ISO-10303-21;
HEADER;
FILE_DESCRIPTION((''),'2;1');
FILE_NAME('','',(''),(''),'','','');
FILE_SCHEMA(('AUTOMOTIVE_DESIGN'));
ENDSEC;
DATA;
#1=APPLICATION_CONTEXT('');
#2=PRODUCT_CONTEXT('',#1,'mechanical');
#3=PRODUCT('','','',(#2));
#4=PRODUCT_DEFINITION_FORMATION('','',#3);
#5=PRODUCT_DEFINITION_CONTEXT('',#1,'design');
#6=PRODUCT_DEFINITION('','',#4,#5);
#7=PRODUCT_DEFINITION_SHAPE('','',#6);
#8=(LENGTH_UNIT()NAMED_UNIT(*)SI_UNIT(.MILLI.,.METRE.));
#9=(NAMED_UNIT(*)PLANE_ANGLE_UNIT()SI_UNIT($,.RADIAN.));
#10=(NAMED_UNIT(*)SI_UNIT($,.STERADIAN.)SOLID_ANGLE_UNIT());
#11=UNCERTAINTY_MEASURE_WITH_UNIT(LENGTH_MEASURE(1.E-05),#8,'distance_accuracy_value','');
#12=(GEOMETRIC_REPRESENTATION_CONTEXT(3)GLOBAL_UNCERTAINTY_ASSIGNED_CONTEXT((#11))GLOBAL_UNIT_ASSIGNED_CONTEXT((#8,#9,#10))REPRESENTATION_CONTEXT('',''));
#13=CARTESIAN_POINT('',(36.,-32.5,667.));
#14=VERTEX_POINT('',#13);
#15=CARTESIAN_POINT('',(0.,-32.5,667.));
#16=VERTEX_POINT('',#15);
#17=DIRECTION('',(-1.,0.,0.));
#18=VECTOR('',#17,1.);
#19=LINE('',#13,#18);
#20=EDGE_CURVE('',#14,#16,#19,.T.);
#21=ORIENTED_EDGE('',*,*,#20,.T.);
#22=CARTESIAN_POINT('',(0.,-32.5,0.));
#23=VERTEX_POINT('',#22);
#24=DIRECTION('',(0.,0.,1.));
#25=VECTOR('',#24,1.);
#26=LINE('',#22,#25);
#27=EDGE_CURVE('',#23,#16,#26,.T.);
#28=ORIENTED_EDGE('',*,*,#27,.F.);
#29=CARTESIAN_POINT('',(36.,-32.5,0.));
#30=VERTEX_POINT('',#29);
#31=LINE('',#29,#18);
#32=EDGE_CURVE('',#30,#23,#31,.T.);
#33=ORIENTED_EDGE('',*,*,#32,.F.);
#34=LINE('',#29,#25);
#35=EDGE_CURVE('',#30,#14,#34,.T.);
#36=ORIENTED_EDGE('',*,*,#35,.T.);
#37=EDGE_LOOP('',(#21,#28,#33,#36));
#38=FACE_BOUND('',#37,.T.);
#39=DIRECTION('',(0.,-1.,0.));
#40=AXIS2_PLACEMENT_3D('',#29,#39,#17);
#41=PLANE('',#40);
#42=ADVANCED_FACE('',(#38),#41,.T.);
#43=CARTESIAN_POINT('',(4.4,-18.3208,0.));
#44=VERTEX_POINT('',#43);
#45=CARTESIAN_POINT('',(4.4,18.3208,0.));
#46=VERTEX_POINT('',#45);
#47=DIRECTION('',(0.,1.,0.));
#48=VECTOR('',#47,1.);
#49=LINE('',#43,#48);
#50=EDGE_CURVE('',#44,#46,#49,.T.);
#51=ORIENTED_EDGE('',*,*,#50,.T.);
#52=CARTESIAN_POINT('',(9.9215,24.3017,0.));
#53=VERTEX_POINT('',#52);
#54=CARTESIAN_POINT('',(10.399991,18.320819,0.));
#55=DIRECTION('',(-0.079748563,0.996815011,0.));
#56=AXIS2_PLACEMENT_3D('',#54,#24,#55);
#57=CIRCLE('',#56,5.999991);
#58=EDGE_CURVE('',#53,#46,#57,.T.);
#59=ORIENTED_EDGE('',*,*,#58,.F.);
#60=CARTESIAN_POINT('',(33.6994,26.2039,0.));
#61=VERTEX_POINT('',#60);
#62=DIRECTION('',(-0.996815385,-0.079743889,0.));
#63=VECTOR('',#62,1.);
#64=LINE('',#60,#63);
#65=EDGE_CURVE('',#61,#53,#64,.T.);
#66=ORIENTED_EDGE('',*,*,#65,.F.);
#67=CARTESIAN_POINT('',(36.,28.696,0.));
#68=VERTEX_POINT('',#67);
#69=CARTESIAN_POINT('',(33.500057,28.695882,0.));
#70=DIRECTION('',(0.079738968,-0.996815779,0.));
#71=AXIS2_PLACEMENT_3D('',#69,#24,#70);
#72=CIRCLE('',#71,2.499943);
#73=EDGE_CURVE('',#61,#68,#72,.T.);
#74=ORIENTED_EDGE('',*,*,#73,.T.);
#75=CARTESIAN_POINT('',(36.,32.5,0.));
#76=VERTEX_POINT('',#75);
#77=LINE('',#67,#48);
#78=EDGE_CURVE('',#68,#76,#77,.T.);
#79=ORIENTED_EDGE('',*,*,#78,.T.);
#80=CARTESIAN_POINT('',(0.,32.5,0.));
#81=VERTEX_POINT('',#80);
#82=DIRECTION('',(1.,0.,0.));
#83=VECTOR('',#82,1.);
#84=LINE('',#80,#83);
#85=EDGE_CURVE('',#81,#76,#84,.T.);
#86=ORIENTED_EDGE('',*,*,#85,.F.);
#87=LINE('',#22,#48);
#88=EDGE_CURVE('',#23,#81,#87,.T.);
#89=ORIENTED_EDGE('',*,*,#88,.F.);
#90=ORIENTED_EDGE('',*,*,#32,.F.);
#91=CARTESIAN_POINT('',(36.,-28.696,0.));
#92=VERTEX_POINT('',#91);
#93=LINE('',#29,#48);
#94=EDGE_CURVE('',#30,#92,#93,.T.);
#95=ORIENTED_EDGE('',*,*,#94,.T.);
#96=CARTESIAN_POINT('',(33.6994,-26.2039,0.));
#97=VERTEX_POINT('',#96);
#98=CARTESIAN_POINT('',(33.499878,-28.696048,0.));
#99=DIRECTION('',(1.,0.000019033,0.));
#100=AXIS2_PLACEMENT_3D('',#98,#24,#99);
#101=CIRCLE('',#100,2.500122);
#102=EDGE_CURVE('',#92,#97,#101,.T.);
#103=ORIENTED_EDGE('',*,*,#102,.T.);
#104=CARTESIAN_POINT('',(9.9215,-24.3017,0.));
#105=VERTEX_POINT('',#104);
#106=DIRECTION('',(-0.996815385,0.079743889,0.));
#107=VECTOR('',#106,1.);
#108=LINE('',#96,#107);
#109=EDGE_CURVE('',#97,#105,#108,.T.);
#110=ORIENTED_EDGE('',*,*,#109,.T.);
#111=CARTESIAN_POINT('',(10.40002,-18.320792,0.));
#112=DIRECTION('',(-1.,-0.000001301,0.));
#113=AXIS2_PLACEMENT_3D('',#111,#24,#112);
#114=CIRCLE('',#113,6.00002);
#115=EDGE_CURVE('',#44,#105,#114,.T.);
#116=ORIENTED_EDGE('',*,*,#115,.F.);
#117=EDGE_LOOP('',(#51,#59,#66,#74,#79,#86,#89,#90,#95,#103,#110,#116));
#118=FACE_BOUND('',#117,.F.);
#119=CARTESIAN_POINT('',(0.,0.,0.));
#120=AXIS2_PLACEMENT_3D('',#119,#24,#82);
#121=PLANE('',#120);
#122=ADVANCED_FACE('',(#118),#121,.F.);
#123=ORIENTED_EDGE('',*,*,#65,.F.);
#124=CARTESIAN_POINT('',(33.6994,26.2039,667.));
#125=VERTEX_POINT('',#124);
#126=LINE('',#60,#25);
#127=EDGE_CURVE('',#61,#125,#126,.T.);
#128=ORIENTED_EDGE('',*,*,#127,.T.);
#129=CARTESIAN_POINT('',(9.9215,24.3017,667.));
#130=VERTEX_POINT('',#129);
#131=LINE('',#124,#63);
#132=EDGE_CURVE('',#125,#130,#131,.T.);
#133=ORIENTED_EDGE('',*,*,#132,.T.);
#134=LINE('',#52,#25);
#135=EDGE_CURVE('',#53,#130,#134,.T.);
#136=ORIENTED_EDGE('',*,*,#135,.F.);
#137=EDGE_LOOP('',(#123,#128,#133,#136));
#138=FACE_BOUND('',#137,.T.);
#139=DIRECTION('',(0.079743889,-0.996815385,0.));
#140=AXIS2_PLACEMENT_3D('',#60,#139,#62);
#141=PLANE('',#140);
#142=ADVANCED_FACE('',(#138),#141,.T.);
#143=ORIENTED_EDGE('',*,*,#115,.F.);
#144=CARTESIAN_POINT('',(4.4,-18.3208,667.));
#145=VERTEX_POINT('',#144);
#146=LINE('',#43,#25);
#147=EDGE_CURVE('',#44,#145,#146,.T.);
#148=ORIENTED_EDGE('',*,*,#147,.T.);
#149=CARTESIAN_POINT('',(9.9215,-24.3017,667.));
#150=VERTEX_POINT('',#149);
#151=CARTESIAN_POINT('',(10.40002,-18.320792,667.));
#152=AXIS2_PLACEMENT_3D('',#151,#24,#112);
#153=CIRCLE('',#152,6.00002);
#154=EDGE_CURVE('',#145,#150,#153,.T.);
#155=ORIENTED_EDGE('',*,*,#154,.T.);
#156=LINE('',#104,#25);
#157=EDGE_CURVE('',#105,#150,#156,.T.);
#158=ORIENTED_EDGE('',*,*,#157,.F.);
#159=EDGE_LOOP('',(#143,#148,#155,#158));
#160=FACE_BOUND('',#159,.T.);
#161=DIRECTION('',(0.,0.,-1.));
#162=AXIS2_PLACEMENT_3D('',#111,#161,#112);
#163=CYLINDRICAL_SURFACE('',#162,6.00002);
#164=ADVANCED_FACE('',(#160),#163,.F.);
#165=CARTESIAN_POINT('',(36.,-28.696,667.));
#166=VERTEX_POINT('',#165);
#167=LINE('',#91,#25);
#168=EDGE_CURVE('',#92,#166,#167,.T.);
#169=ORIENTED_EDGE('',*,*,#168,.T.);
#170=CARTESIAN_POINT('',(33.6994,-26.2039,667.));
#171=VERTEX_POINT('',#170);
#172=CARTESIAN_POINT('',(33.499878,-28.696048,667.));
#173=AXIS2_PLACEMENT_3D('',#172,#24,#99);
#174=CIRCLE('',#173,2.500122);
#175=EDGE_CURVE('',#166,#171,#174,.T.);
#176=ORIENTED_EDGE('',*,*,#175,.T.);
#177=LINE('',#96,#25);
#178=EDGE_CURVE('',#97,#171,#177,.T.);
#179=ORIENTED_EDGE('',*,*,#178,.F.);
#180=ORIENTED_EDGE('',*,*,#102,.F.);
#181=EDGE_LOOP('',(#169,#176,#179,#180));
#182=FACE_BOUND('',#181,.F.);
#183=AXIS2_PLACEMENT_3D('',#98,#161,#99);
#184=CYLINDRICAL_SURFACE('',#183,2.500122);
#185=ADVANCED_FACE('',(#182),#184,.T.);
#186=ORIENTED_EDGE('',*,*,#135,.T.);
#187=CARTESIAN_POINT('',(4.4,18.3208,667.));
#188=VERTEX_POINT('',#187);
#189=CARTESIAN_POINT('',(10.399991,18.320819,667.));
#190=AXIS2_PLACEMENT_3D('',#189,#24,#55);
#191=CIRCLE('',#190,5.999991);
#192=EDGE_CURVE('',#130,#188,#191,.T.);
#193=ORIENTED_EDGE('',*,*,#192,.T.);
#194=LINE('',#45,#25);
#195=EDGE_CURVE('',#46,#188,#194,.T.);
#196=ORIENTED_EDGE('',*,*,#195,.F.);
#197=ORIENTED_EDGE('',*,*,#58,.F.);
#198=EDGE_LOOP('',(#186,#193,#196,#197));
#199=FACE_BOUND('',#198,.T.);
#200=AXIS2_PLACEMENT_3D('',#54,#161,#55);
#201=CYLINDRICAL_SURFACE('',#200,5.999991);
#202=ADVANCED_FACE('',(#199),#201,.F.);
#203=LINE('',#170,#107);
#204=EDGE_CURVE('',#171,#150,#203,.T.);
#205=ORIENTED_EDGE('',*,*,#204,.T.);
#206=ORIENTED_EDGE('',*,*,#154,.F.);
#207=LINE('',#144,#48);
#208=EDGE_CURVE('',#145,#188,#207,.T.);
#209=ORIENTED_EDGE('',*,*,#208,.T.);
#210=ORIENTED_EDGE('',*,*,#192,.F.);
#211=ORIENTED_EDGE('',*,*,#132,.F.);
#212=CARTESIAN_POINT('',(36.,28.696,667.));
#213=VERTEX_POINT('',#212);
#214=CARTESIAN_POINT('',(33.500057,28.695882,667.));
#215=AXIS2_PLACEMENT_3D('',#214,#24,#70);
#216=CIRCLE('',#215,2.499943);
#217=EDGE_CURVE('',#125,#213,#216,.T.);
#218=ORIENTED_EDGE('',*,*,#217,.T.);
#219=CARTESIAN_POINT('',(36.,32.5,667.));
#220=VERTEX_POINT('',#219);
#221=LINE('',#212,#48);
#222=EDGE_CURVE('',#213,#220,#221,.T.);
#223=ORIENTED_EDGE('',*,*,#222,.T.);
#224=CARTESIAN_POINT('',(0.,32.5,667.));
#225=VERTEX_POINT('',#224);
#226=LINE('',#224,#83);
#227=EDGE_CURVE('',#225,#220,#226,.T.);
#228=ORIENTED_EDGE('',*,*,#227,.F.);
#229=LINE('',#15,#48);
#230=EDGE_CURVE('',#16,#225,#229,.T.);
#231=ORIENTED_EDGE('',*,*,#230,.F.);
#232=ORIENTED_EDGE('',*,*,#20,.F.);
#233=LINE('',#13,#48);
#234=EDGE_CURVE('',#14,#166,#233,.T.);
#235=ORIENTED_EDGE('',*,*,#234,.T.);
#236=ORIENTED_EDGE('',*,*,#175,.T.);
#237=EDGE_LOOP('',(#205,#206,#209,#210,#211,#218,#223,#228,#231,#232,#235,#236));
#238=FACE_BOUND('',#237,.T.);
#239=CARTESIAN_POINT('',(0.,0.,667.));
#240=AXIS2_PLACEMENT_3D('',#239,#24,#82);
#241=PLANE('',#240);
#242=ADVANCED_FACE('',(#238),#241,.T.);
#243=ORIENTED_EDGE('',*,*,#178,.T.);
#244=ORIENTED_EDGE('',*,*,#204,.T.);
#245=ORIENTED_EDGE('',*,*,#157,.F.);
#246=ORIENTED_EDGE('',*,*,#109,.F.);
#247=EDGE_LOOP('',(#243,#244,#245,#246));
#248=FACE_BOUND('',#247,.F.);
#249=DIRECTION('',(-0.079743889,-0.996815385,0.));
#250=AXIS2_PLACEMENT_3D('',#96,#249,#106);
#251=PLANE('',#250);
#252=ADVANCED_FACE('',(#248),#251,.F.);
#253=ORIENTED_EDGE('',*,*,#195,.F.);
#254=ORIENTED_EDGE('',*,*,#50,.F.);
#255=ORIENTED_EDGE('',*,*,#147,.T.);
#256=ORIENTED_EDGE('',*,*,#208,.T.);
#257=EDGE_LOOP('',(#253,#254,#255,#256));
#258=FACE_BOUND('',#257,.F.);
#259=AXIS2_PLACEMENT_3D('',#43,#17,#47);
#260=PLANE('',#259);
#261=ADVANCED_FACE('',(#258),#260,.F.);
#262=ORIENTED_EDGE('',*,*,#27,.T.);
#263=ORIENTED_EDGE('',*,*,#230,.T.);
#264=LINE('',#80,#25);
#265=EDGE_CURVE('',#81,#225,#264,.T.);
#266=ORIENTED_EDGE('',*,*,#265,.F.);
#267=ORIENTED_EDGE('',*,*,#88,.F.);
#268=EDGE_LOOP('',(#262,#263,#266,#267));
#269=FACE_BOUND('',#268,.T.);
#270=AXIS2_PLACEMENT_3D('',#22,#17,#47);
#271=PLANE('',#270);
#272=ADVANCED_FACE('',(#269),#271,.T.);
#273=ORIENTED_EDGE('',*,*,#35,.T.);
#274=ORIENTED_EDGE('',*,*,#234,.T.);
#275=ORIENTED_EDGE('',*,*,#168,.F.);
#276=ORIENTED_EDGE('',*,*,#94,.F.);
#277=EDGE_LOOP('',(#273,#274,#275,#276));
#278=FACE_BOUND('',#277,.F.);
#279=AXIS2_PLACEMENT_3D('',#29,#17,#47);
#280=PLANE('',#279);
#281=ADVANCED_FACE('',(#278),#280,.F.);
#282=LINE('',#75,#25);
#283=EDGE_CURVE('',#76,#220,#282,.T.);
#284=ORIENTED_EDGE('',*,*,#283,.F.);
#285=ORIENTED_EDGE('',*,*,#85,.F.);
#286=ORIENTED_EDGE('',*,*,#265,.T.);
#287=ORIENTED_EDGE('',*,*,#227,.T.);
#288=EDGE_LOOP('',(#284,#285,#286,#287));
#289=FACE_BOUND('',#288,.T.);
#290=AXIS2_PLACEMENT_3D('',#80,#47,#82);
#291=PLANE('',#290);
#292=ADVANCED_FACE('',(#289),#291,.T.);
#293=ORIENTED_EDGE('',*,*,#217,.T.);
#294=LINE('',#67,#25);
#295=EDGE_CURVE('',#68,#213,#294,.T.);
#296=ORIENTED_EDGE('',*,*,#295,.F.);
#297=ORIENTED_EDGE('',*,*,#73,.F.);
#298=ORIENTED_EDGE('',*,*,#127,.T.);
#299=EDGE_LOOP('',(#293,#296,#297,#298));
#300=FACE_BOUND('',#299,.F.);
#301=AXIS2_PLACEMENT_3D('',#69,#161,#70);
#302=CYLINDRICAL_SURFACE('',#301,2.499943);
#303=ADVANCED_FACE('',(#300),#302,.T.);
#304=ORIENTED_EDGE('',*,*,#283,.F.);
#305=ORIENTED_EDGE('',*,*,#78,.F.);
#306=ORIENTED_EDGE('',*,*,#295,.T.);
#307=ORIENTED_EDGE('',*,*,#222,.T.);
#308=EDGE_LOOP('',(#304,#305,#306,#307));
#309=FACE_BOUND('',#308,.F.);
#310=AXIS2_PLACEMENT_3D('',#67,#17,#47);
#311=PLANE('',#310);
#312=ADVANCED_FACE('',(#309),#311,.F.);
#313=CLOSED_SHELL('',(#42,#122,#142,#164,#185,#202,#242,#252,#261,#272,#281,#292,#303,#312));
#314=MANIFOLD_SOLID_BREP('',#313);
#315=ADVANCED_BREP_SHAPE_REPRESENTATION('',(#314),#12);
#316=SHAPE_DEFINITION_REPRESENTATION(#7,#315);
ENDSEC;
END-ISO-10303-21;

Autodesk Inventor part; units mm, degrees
ref_plane "YZ Plane" through (0, 0, 0) normal (1, 0, 0) x (0, 1, 0)
ref_plane "Начальная плоскость" through (0, 0, 0) normal (0, 0, 1) x (1, 0, 0)
ref_plane "Конечная плоскость" through (0, 0, 667) normal (0, 0, 1) x (1, 0, 0)
sketch "Эскиз" plane through (0, 0, 0) normal (0, 0, 1) x (1, 0, 0)
  line L0 (36, -32.5) -> (0, -32.5)
  line L1 (36, -32.5) -> (36, -28.696)
  line L2 (33.6994, -26.2039) -> (9.9215, -24.3017)
  line L3 (4.4, -18.3208) -> (4.4, 18.3208)
  line L4 (33.6994, 26.2039) -> (9.9215, 24.3017)
  line L5 (36, 28.696) -> (36, 32.5)
  line L6 (0, 32.5) -> (36, 32.5)
  line L7 (0, -32.5) -> (0, 32.5)
  arc A0 (4.4, -18.3208) -> (9.9215, -24.3017) centre (10.4, -18.3208) ccw
  arc A1 (9.9215, 24.3017) -> (4.4, 18.3208) centre (10.4, 18.3208) ccw
  arc A2 (36, -28.696) -> (33.6994, -26.2039) centre (33.5, -28.696) ccw
  arc A3 (33.6994, 26.2039) -> (36, 28.696) centre (33.5, 28.696) ccw
  line L8 (0, 45.5) -> (0, -45.5) construction
  line L9 (-7.2974, 0) -> (43.7847, 0) construction
  point P0 (36, -26.388)
  point P1 (4.4, -23.86)
  point P2 (4.4, 23.86)
  point P3 (36, 26.388)
  dimension "d3" = 36
  dimension "d5" = 4.4
  dimension "d7" = 65
  dimension "d9" = 8.64
  dimension "d11" = 8.64
  dimension "d13" = 6.112
  dimension "d15" = 6.112
  dimension "d22" = 6
  dimension "d23" = 2.5
  dimension "d24" = 32.5
  dimension "d25" = 0
extrude "Тело" add sketch "Эскиз" along normal up to surface (667 mm away) from surface at 0
sketch "Sketch3" plane through (0, 0, 0) normal (0, 0, 1) x (1, 0, 0)
  line L0 (0, 0) -> (10, 0)
ref_plane "Work Plane7" through (0, 0, 0) normal (0, -1, 0) x (1, 0, 0)
sketch "Sketch4" plane through (0, 0, 0) normal (0, -1, 0) x (1, 0, 0)
  line L0 (-2, 0) -> (12, 0)
  line L1 (-2, 667) -> (12, 667)
  dimension "d29" = 667
equation "\"d3\" = b"
equation "\"d5\" = t1"
equation "\"d7\" = ParH"
equation "\"d9\" = msp_x1 + t2"
equation "\"d11\" = msp_x1 + t2"
equation "\"d13\" = -msp_x2 + t2"
equation "\"d15\" = -msp_x2 + t2"
equation "\"d22\" = R"
equation "\"d23\" = R1"
equation "\"d24\" = 0.5 * d7"
equation "\"d16\" = G_L"
equation "\"R1\" = 2.5"
equation "\"R\" = 6"
equation "\"t1\" = 4.4"
equation "\"t2\" = 7.2"
equation "\"ParH\" = 65"
equation "\"b\" = 36"
equation "\"msp_x1\" = 0.04 * b"
equation "\"msp_x2\" = -0.08 * t1 + 0.04 * b"
equation "\"G_L\" = d29"
equation "\"ex\" = 0"
equation "\"G_OFFSET_START\" = 0"
equation "\"G_OFFSET_END\" = 0"
equation "\"d27\" = G_OFFSET_END + B_L"
equation "\"B_L\" = 667"
properties part number "Швеллер 6.5U-667 ГОСТ 8240-97" material "Сталь, мягкая"
